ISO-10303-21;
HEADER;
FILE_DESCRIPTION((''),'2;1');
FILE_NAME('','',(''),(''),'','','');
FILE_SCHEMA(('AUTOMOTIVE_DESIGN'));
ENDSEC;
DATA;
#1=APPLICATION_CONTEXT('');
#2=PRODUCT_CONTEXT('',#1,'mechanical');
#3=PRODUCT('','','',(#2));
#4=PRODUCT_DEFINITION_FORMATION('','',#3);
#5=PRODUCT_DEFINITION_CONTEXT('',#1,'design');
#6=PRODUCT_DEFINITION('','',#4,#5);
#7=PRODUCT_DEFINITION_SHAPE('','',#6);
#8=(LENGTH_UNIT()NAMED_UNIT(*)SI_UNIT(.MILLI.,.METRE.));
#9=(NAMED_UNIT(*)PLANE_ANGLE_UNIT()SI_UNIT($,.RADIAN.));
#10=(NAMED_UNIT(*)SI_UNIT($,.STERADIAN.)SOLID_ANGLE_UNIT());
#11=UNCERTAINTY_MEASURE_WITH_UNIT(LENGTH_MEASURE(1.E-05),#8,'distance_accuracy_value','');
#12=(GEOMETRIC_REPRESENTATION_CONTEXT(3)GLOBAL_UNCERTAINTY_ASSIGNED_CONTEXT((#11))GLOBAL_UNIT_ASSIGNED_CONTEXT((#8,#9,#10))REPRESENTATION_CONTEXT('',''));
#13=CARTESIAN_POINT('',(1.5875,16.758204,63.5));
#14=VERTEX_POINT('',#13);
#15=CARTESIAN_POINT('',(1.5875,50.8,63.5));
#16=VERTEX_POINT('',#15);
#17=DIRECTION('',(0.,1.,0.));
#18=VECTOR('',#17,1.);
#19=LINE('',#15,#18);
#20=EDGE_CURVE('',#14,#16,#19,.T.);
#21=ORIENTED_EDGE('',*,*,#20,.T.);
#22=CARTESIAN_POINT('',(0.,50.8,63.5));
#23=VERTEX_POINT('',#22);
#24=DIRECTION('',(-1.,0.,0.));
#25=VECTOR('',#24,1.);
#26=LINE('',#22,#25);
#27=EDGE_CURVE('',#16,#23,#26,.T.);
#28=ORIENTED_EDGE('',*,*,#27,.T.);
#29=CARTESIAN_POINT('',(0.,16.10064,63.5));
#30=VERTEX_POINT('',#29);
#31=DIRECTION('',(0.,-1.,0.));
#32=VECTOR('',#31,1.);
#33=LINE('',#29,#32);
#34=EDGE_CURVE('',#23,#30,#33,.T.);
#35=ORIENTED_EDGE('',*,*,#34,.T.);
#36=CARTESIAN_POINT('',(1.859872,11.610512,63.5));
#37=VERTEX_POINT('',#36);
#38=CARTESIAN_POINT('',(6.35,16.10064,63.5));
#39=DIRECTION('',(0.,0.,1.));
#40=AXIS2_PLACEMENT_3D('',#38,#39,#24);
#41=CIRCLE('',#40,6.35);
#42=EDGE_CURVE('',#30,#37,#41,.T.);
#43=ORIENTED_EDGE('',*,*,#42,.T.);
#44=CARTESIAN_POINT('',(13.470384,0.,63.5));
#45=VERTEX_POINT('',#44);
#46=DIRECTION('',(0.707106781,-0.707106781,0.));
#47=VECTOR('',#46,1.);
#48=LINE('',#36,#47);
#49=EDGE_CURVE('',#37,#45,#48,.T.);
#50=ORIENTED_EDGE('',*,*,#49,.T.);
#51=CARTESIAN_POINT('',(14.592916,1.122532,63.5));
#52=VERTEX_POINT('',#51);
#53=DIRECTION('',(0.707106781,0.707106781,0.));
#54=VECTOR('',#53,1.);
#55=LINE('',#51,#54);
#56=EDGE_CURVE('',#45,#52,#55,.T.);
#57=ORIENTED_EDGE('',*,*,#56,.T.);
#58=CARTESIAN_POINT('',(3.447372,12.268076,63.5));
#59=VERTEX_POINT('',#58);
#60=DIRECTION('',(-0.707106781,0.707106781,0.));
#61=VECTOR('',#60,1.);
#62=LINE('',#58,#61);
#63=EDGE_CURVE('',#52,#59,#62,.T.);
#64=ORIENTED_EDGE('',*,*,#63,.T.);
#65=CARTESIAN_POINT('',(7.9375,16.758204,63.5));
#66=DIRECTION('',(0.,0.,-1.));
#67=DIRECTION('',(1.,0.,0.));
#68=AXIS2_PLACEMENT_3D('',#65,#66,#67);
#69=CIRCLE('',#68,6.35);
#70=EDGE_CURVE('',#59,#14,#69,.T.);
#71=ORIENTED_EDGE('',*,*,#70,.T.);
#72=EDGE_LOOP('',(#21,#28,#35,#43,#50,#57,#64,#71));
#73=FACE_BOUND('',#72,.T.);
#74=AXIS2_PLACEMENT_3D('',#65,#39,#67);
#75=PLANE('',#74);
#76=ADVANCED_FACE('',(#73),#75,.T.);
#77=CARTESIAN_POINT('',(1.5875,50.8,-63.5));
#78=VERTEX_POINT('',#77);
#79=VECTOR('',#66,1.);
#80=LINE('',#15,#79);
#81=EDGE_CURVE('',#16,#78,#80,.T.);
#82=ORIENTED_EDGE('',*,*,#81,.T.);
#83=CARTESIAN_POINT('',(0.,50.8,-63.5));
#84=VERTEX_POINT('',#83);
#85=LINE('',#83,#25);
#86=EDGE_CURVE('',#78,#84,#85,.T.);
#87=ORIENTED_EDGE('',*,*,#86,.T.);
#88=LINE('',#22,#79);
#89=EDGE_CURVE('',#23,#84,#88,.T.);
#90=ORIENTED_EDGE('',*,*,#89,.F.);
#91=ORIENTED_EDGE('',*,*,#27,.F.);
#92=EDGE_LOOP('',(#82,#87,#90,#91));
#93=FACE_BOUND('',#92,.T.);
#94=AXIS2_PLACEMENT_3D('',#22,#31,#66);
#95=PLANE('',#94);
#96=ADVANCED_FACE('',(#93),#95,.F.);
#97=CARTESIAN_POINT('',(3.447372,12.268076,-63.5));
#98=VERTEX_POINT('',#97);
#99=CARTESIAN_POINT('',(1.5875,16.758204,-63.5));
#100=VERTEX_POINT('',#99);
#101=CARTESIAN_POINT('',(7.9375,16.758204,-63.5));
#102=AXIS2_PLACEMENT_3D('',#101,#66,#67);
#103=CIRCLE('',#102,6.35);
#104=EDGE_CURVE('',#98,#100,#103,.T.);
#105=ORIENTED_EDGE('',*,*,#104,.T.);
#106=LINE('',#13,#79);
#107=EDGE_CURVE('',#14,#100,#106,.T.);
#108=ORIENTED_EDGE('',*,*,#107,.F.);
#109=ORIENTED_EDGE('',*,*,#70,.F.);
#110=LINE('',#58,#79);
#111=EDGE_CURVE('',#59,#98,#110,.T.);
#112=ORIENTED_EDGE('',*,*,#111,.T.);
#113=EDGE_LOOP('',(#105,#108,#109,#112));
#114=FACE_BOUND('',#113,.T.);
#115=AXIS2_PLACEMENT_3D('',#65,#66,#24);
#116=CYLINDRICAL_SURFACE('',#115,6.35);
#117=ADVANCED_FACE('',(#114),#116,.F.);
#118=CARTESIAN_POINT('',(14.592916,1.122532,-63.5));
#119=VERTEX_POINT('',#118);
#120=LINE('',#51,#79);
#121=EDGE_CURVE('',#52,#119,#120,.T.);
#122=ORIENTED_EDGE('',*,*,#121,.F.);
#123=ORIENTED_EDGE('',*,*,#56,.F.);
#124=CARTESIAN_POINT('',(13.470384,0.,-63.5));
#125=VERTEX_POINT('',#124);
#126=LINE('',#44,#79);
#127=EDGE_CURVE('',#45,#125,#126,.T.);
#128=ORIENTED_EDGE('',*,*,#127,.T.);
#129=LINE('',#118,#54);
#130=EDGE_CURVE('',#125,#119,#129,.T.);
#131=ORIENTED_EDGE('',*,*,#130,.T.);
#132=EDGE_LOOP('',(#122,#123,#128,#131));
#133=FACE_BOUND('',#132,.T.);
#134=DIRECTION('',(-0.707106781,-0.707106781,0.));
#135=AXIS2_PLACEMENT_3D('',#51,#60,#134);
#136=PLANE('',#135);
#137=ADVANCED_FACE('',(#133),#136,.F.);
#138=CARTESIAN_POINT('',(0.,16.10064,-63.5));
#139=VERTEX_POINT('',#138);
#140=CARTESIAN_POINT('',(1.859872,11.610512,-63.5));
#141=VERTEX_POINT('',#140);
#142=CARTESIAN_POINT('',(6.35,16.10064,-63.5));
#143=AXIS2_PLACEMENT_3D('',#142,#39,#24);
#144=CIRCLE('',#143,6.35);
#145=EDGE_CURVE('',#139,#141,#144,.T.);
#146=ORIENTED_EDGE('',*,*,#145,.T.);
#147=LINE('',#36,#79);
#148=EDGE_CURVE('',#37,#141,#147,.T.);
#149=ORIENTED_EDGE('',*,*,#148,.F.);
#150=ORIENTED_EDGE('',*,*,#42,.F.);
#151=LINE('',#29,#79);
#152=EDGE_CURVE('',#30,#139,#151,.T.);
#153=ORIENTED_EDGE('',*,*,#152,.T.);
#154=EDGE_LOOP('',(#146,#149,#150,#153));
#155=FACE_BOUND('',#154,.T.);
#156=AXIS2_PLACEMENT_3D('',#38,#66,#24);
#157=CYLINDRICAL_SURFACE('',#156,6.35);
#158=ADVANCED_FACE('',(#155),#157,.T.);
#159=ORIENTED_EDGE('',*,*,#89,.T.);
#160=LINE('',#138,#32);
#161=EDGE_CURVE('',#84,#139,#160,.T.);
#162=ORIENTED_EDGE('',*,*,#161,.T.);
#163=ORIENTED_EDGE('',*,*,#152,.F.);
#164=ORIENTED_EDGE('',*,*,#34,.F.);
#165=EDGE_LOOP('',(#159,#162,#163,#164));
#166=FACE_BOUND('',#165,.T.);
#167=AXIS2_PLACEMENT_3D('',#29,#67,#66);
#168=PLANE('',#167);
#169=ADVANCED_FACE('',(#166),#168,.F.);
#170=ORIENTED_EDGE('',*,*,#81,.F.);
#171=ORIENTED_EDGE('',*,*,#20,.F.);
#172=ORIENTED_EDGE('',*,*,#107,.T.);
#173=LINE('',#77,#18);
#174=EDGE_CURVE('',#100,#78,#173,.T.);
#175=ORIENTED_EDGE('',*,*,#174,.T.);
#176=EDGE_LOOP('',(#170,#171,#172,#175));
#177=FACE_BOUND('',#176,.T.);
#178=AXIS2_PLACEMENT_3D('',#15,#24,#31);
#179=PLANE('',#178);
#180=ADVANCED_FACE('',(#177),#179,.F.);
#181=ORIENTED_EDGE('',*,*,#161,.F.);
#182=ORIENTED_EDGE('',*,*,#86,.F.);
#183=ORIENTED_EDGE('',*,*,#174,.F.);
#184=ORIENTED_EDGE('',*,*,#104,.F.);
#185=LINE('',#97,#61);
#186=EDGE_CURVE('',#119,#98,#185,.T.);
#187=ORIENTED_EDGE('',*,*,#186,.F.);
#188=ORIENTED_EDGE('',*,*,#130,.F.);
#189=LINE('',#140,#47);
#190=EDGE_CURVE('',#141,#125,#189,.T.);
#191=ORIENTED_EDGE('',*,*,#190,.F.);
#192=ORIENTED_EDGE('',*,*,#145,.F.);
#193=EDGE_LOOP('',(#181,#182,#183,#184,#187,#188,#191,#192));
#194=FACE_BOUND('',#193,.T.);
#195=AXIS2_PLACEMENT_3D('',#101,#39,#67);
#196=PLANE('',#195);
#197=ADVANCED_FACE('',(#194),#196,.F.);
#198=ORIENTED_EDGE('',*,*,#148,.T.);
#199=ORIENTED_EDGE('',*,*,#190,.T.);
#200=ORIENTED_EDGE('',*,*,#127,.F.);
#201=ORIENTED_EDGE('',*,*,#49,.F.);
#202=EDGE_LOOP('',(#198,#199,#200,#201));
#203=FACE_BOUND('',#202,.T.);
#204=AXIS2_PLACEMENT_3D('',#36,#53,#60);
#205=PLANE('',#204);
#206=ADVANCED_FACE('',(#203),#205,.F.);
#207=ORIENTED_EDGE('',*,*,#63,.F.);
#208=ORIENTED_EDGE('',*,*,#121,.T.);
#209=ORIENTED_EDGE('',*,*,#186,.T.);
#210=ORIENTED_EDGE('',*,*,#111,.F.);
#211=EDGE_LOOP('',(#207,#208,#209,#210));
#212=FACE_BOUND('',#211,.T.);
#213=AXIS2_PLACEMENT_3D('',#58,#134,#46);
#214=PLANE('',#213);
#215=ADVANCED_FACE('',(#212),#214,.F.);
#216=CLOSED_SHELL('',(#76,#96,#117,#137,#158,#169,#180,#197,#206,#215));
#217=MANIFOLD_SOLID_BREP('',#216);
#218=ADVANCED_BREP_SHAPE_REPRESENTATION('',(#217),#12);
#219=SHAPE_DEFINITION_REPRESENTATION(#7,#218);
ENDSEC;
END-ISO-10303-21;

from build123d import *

# Parameters (mm, degrees)
BOSS_EXTRUDE1_DEPTH = 63.5


with BuildPart() as part:
    # Sketch1 → Boss-Extrude1 (new, symmetric)
    with BuildSketch(Plane.XY):
        with BuildLine():
            Line((0, 16.100640303), (0, 50.8))
            Line((0, 50.8), (1.5875, 50.8))
            Line((1.5875, 50.8), (1.5875, 16.758204333))
            ThreePointArc((1.5875, 16.758204333), (2.070864969, 14.328164537), (3.447371939, 12.268076272))
            Line((3.447371939, 12.268076272), (14.592916197, 1.122532015))
            Line((14.592916197, 1.122532015), (13.470384182, 0))
            Line((13.470384182, 0), (1.859871939, 11.610512242))
            ThreePointArc((1.859871939, 11.610512242), (0.483364969, 13.670600507), (0, 16.100640303))
        make_face()
    extrude(amount=BOSS_EXTRUDE1_DEPTH, both=True)


solid = part.part
